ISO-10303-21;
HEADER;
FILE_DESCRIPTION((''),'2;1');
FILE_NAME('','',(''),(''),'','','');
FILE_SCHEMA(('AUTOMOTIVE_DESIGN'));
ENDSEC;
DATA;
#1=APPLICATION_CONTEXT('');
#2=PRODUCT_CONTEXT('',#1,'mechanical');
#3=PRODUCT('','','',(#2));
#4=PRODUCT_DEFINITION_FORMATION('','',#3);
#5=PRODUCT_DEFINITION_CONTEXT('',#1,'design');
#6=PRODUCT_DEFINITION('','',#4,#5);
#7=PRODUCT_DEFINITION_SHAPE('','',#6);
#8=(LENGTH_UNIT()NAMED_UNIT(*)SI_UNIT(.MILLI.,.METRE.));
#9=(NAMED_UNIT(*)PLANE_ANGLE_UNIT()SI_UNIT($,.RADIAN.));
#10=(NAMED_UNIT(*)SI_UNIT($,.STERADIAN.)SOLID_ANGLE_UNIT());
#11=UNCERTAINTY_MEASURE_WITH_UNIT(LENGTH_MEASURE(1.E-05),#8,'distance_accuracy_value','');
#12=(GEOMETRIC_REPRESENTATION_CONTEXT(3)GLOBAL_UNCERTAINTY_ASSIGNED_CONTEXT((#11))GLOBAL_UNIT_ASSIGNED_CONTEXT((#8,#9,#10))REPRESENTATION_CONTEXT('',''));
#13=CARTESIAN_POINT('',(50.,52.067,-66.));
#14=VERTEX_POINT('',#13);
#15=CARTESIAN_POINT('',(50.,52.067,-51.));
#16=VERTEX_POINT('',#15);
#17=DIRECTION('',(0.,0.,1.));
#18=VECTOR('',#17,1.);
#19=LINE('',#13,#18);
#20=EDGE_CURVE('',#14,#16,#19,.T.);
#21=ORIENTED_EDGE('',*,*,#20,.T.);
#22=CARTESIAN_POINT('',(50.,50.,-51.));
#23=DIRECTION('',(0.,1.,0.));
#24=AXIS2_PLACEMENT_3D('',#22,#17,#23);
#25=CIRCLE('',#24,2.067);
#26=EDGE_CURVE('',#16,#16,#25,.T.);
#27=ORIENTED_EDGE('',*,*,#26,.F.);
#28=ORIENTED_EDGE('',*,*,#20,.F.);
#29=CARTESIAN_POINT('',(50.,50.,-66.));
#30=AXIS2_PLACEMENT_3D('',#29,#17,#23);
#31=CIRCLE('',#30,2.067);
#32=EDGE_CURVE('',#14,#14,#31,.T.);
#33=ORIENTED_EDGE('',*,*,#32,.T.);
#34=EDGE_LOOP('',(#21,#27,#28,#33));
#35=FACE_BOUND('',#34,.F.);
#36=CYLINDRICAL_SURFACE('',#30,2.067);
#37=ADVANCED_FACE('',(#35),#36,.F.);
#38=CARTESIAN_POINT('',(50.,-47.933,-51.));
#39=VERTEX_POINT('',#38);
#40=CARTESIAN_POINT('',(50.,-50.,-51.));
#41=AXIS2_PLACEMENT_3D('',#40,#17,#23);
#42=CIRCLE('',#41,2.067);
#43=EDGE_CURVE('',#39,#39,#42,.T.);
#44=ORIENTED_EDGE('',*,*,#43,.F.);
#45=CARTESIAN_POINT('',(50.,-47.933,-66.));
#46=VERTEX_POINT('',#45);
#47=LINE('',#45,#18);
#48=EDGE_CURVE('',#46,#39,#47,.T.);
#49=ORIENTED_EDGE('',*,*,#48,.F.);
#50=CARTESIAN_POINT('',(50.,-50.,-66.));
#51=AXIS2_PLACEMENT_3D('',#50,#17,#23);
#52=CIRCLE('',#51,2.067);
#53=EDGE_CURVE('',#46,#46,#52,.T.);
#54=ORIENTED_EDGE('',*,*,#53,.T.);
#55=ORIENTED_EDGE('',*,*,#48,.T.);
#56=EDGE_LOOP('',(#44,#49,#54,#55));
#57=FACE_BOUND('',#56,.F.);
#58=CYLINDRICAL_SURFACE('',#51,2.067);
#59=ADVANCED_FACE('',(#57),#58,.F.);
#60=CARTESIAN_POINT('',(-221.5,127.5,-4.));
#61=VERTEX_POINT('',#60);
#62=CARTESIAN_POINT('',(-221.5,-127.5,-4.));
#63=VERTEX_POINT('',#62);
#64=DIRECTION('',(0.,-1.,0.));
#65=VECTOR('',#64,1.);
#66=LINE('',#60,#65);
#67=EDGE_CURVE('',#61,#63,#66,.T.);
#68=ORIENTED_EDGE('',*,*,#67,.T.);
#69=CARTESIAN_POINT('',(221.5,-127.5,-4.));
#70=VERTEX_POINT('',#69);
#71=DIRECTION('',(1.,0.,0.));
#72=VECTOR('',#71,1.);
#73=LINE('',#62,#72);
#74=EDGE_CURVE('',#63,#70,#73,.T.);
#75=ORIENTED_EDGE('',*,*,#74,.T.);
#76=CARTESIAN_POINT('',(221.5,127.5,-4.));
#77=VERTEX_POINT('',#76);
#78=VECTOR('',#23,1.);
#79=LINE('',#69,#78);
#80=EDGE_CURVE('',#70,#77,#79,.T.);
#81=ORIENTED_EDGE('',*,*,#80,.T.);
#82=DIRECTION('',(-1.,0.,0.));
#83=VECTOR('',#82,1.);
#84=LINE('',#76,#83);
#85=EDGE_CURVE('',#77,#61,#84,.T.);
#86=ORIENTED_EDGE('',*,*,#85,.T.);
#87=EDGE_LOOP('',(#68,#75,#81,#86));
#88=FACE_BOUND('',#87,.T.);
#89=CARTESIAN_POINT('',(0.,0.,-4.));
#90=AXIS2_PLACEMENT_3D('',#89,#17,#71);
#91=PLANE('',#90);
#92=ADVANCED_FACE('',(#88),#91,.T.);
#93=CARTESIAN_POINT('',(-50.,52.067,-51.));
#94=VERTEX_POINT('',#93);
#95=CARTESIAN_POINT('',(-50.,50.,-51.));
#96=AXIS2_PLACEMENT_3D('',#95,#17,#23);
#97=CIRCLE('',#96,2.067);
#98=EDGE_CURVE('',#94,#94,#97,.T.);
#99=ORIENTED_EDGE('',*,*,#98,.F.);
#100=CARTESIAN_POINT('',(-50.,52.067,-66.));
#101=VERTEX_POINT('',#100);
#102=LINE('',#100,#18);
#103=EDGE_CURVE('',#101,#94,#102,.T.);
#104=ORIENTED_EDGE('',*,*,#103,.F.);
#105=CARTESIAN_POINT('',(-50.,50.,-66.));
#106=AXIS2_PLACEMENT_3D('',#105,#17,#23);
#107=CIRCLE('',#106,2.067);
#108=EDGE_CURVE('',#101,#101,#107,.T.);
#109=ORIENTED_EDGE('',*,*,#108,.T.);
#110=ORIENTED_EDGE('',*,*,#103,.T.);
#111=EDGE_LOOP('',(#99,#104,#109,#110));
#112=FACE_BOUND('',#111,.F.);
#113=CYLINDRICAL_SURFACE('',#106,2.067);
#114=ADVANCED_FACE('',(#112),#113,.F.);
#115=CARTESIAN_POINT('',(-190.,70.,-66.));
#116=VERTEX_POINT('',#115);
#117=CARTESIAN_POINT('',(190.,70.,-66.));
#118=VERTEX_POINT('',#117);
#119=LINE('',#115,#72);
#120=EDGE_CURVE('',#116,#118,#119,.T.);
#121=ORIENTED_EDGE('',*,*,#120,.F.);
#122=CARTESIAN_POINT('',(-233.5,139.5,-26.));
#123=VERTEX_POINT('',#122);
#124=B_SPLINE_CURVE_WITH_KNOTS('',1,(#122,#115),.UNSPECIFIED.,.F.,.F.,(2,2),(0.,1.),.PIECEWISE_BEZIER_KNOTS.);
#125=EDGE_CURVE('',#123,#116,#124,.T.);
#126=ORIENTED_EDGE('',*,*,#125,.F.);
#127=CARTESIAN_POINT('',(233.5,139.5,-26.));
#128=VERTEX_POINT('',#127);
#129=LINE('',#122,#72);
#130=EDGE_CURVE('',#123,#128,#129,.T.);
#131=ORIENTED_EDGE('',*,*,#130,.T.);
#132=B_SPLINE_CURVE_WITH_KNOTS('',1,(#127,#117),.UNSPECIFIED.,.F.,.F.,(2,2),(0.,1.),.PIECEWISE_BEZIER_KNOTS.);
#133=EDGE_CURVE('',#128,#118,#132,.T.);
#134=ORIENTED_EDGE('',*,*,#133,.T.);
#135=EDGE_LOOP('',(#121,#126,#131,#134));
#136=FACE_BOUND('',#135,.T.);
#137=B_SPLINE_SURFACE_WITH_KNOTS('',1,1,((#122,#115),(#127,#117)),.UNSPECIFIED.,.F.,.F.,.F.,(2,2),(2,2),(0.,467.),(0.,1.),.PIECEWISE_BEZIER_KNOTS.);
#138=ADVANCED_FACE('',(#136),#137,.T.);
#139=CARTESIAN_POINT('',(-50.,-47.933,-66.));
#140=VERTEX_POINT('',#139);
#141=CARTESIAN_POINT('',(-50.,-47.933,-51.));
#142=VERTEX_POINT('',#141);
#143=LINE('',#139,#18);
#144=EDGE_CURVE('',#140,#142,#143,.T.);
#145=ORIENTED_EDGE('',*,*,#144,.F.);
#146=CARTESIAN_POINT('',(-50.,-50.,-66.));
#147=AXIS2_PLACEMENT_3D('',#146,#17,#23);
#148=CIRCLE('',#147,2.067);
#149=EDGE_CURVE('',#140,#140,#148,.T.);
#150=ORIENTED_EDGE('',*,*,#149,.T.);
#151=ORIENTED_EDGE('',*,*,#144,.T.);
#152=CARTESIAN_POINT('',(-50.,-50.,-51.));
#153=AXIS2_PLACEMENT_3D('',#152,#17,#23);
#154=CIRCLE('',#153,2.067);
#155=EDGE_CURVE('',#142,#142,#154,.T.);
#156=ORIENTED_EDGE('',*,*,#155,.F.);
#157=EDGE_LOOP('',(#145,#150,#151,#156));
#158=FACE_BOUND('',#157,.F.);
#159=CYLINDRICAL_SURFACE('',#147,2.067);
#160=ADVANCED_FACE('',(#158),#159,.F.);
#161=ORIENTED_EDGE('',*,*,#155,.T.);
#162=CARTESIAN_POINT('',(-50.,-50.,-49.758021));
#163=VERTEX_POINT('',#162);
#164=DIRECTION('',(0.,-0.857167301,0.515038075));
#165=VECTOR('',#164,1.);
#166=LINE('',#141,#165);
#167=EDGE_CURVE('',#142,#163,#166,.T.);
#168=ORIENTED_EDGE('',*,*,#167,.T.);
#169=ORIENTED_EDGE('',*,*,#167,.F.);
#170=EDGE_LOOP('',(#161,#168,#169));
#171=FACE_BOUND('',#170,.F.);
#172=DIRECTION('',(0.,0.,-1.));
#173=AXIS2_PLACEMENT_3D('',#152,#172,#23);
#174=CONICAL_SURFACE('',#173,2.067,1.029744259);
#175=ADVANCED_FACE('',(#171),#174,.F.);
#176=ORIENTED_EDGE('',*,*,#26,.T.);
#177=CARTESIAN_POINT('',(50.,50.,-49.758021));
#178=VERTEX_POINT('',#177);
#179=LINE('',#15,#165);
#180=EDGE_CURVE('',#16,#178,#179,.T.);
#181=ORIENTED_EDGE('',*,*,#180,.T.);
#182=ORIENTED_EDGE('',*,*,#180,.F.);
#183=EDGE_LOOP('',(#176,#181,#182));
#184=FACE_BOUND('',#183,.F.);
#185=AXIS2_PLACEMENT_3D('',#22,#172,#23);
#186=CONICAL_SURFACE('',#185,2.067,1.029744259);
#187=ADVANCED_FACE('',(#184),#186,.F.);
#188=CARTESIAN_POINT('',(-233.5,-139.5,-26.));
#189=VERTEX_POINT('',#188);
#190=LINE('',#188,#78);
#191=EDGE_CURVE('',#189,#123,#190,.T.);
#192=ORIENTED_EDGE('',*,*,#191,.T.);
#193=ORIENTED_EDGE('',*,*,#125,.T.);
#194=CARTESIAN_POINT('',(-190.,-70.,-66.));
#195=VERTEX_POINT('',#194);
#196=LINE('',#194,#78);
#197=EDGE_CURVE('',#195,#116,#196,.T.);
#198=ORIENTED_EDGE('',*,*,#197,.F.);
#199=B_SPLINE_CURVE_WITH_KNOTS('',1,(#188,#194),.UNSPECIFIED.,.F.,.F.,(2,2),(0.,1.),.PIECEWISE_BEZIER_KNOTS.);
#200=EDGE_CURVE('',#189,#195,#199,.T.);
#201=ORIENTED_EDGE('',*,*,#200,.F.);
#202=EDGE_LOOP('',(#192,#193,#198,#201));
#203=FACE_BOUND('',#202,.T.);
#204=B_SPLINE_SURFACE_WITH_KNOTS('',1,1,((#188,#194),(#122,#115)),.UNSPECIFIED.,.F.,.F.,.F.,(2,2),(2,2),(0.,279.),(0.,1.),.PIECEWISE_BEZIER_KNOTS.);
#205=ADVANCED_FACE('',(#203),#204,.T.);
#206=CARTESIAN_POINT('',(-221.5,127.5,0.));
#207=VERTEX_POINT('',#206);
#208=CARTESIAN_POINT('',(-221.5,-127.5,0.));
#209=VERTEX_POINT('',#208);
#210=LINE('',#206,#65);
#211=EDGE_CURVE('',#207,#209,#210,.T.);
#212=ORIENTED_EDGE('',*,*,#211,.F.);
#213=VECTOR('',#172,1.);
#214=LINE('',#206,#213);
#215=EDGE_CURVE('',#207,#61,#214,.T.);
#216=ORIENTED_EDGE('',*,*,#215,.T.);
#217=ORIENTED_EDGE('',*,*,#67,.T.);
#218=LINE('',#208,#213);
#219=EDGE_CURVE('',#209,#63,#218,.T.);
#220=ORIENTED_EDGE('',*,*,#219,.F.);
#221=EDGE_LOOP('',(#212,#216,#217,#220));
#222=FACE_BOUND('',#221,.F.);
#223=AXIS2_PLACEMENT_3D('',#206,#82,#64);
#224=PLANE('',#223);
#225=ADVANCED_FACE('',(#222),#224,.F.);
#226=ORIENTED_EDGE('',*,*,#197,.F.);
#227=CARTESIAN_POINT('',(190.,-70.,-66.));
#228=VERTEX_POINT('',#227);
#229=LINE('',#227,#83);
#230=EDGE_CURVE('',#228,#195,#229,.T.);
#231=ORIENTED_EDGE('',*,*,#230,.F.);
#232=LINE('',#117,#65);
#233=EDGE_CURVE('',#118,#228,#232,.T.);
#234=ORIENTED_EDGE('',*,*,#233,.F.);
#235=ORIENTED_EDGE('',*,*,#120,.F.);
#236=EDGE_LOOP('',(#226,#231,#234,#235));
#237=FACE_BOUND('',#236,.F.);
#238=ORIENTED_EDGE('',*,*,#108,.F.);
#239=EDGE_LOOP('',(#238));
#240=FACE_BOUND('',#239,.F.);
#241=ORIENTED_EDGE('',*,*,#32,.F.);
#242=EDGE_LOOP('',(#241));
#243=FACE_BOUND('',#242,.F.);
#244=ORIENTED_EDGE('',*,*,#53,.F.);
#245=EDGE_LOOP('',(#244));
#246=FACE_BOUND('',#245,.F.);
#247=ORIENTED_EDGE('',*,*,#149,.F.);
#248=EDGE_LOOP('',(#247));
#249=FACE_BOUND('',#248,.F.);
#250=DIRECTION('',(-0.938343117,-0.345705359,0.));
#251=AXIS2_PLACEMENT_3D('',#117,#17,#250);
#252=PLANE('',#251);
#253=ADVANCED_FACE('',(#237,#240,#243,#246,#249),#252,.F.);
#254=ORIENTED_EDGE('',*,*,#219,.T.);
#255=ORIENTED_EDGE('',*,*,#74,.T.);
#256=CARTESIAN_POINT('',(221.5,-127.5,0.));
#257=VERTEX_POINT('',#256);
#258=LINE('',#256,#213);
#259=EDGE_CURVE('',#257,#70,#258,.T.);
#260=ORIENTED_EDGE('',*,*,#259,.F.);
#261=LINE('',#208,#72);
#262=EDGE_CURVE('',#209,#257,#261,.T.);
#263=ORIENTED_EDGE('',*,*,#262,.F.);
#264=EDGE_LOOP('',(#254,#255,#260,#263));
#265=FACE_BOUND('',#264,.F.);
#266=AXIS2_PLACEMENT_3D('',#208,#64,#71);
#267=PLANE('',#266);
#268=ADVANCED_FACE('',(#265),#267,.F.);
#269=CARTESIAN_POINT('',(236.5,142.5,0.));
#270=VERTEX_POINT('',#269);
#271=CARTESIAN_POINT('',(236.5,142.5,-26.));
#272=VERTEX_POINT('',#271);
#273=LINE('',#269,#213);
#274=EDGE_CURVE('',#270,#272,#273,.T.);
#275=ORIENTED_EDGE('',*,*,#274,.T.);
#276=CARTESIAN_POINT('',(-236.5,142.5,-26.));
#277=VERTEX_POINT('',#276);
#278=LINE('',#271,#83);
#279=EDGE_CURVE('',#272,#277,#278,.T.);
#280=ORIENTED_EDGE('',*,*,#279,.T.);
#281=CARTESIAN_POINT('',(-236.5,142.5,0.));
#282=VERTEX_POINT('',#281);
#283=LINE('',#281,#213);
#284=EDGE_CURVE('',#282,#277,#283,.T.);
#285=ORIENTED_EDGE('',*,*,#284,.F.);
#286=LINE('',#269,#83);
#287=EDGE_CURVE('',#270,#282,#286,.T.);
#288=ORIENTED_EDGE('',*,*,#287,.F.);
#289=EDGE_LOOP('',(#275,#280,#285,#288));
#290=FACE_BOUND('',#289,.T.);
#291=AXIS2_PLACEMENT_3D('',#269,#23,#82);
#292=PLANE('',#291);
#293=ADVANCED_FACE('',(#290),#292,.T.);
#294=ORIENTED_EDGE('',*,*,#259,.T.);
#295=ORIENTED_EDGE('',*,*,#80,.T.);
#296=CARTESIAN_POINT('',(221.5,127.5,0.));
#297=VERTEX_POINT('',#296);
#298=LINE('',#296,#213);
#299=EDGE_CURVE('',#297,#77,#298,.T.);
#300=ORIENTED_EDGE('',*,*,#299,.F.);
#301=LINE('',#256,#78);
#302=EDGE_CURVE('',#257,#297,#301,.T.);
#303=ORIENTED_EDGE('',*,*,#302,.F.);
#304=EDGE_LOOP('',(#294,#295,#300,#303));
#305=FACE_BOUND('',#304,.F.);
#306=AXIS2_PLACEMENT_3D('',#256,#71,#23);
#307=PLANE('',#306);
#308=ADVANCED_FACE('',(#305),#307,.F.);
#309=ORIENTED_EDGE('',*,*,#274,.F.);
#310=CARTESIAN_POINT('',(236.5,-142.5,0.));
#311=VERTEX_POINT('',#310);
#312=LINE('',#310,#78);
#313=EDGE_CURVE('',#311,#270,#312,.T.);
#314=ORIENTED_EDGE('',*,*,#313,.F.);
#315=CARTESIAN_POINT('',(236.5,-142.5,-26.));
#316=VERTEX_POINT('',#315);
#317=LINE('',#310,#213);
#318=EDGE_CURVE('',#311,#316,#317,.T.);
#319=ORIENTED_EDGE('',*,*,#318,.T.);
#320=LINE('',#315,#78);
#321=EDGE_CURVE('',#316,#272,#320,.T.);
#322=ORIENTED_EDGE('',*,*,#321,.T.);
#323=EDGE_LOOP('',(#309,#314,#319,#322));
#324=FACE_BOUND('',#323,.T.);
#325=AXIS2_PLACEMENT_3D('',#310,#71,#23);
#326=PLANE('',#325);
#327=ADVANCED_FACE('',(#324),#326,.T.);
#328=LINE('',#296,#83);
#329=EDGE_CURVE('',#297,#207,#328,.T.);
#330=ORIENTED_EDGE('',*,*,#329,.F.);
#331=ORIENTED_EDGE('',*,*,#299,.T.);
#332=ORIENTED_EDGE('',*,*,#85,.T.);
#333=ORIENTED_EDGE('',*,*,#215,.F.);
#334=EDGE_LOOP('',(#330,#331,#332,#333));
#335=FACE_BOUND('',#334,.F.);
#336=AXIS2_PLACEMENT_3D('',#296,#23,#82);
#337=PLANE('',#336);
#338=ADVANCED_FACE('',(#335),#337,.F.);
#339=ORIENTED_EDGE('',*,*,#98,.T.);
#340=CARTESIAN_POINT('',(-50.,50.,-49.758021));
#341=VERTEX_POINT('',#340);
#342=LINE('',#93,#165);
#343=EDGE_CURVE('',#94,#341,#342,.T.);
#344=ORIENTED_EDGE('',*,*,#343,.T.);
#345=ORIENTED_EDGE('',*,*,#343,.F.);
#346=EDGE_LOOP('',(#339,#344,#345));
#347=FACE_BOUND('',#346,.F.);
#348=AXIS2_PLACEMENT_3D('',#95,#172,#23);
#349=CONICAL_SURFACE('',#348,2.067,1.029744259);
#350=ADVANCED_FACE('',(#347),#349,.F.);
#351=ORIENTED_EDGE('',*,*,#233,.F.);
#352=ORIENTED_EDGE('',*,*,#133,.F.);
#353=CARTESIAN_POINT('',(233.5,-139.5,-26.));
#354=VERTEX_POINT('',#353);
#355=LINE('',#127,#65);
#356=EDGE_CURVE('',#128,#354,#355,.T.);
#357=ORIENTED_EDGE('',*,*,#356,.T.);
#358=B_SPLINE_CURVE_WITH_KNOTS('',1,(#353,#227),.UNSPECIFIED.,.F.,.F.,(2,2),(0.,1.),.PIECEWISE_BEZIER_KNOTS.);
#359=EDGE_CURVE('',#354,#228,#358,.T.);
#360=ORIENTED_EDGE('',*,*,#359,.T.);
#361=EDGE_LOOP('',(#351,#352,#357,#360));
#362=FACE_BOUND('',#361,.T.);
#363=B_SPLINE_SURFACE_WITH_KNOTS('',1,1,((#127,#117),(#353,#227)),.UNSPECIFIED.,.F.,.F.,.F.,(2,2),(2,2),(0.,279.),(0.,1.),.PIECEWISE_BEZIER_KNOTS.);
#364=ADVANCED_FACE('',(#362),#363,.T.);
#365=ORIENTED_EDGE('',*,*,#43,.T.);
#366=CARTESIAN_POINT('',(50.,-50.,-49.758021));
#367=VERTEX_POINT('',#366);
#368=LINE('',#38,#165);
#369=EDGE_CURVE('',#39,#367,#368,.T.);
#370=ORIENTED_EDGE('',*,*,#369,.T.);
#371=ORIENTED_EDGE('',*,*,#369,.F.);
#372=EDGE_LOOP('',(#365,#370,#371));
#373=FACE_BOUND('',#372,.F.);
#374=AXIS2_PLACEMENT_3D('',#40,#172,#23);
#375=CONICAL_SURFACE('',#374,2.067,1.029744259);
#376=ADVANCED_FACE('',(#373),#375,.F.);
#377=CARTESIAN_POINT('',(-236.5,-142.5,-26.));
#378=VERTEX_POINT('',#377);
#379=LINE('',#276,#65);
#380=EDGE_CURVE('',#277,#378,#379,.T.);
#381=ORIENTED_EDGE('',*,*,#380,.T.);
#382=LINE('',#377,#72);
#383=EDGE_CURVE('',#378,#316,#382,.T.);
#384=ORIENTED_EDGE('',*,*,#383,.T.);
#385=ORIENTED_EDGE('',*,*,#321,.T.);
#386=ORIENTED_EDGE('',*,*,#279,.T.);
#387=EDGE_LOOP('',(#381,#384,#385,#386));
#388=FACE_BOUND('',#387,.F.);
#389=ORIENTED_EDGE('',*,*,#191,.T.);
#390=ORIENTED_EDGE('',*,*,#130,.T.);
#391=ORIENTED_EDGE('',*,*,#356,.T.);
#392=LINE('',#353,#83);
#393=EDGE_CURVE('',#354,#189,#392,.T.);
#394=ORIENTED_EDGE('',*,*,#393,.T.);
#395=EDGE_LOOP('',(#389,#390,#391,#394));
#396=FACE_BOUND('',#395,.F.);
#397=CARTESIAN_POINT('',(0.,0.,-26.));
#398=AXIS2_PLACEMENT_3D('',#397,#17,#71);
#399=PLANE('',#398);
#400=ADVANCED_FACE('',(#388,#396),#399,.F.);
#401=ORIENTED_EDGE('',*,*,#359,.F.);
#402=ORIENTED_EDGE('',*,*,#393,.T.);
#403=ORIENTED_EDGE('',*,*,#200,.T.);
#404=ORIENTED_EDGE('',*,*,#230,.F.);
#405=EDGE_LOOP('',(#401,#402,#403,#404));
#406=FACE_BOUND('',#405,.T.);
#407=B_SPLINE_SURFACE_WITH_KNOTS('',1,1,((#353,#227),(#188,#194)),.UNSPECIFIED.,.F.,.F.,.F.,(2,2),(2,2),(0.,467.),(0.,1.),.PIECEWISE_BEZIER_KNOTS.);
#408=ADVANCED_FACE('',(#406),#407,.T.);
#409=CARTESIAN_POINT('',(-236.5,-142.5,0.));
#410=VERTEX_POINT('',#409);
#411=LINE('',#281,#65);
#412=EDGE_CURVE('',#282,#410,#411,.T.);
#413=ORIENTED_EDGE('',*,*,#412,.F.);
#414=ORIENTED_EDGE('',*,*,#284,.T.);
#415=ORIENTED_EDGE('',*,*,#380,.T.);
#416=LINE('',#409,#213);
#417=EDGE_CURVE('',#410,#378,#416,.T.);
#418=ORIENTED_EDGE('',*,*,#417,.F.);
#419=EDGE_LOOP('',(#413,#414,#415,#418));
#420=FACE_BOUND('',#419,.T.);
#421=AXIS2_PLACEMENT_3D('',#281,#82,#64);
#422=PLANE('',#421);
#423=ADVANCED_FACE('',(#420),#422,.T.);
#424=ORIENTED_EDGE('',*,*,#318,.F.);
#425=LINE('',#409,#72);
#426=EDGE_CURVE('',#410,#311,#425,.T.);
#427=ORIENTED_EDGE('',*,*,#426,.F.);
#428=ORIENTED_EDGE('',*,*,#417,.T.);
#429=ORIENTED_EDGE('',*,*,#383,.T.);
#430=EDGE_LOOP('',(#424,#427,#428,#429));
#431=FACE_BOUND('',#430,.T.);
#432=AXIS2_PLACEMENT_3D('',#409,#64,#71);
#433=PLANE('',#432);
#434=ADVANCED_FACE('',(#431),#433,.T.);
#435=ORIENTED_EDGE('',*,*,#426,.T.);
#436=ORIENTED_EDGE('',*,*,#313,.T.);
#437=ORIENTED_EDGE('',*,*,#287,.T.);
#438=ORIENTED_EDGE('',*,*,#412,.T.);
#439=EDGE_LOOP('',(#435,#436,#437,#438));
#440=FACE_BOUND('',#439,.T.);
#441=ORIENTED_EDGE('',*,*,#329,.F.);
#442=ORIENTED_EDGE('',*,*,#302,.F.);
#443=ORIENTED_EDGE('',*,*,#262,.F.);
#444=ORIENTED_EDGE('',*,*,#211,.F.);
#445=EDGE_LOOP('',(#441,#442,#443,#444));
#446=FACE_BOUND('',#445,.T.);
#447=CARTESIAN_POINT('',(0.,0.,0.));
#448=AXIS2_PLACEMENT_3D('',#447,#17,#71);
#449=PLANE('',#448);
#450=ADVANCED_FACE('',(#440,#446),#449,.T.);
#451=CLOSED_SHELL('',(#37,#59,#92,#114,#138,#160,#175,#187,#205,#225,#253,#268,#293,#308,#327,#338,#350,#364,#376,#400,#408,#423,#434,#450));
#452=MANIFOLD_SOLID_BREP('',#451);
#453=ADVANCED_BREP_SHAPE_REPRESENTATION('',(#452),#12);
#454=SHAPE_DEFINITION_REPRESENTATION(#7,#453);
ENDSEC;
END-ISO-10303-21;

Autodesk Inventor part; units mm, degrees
ref_plane "YZ Plane" through (0, 0, 0) normal (1, 0, 0) x (0, 1, 0)
ref_plane "XZ Plane" through (0, 0, 0) normal (0, 1, 0) x (-1, 0, 0)
sketch "Sketch1" plane through (0, 0, 0) normal (0, 0, 1) x (1, 0, 0)
  line L0 (-236.5, -142.5) -> (236.5, -142.5)
  line L1 (236.5, -142.5) -> (236.5, 142.5)
  line L2 (236.5, 142.5) -> (-236.5, 142.5)
  line L3 (-236.5, 142.5) -> (-236.5, -142.5)
  line L4 (-236.5, -142.5) -> (236.5, 142.5) construction
  line L5 (236.5, -142.5) -> (-236.5, 142.5) construction
  point P0 (0, 0)
  dimension "d0" = 473
  dimension "d1" = 285
extrude "Extrusion1" add sketch "Sketch1" against normal blind 26
sketch "Sketch2" plane through (0, 0, -26) normal (0, 0, -1) x (-1, 0, 0)
  line L0 (-233.5, -139.5) -> (233.5, -139.5)
  line L1 (233.5, -139.5) -> (233.5, 139.5)
  line L2 (233.5, 139.5) -> (-233.5, 139.5)
  line L3 (-233.5, 139.5) -> (-233.5, -139.5)
  line L4 (-233.5, -139.5) -> (233.5, 139.5) construction
  line L5 (233.5, -139.5) -> (-233.5, 139.5) construction
  line L6 (236.5, 142.5) -> (-236.5, 142.5) projected
  line L7 (-236.5, 142.5) -> (-236.5, -142.5) projected
  point P0 (0, 0)
  dimension "d4" = 3
  dimension "d5" = 3
ref_plane "Work Plane1" through (0, 0, -66) normal (0, 0, -1) x (-1, 0, 0)
sketch "Sketch4" plane through (0, 0, -66) normal (0, 0, -1) x (-1, 0, 0)
  line L0 (-190, -70) -> (190, -70)
  line L1 (190, -70) -> (190, 70)
  line L2 (190, 70) -> (-190, 70)
  line L3 (-190, 70) -> (-190, -70)
  line L4 (-190, -70) -> (190, 70) construction
  line L5 (190, -70) -> (-190, 70) construction
  point P0 (0, 0)
  dimension "d7" = 140
  dimension "d8" = 380
loft "Loft1" add profiles "Sketch2", "Sketch4"
sketch "Sketch5" plane through (190, -70, -66) normal (0, 0, -1) x (-1, 0, 0)
  line L0 (140, 20) -> (240, 20)
  line L1 (240, 20) -> (240, 120)
  line L2 (240, 120) -> (140, 120)
  line L3 (140, 120) -> (140, 20)
  line L4 (140, 20) -> (240, 120) construction
  line L5 (240, 20) -> (140, 120) construction
  point P0 (190, 70)
  dimension "d13" = 100
  dimension "d14" = 100
hole "Hole1" at (50, 50, -66) at (-50, 50, -66) at (-50, -50, -66) at (50, -50, -66) direction (0, 0, 1) diameter 4.134 depth 15 tip angle 118 thread size "M5x0.8" class "6H" standard "ANSI Metric M Profile"
sketch "Sketch6" plane through (0, 0, 0) normal (0, 0, 1) x (1, 0, 0)
  line L0 (-221.5, -127.5) -> (221.5, -127.5)
  line L1 (221.5, -127.5) -> (221.5, 127.5)
  line L2 (221.5, 127.5) -> (-221.5, 127.5)
  line L3 (-221.5, 127.5) -> (-221.5, -127.5)
  line L4 (-221.5, -127.5) -> (221.5, 127.5) construction
  line L5 (221.5, -127.5) -> (-221.5, 127.5) construction
  line L6 (236.5, 142.5) -> (-236.5, 142.5) projected
  line L7 (-236.5, 142.5) -> (-236.5, -142.5) projected
  point P0 (0, 0)
  dimension "d22" = 15
  dimension "d23" = 15
extrude "Extrusion2" cut sketch "Sketch6" against normal blind 4
properties part number "Monitor_21inch"
